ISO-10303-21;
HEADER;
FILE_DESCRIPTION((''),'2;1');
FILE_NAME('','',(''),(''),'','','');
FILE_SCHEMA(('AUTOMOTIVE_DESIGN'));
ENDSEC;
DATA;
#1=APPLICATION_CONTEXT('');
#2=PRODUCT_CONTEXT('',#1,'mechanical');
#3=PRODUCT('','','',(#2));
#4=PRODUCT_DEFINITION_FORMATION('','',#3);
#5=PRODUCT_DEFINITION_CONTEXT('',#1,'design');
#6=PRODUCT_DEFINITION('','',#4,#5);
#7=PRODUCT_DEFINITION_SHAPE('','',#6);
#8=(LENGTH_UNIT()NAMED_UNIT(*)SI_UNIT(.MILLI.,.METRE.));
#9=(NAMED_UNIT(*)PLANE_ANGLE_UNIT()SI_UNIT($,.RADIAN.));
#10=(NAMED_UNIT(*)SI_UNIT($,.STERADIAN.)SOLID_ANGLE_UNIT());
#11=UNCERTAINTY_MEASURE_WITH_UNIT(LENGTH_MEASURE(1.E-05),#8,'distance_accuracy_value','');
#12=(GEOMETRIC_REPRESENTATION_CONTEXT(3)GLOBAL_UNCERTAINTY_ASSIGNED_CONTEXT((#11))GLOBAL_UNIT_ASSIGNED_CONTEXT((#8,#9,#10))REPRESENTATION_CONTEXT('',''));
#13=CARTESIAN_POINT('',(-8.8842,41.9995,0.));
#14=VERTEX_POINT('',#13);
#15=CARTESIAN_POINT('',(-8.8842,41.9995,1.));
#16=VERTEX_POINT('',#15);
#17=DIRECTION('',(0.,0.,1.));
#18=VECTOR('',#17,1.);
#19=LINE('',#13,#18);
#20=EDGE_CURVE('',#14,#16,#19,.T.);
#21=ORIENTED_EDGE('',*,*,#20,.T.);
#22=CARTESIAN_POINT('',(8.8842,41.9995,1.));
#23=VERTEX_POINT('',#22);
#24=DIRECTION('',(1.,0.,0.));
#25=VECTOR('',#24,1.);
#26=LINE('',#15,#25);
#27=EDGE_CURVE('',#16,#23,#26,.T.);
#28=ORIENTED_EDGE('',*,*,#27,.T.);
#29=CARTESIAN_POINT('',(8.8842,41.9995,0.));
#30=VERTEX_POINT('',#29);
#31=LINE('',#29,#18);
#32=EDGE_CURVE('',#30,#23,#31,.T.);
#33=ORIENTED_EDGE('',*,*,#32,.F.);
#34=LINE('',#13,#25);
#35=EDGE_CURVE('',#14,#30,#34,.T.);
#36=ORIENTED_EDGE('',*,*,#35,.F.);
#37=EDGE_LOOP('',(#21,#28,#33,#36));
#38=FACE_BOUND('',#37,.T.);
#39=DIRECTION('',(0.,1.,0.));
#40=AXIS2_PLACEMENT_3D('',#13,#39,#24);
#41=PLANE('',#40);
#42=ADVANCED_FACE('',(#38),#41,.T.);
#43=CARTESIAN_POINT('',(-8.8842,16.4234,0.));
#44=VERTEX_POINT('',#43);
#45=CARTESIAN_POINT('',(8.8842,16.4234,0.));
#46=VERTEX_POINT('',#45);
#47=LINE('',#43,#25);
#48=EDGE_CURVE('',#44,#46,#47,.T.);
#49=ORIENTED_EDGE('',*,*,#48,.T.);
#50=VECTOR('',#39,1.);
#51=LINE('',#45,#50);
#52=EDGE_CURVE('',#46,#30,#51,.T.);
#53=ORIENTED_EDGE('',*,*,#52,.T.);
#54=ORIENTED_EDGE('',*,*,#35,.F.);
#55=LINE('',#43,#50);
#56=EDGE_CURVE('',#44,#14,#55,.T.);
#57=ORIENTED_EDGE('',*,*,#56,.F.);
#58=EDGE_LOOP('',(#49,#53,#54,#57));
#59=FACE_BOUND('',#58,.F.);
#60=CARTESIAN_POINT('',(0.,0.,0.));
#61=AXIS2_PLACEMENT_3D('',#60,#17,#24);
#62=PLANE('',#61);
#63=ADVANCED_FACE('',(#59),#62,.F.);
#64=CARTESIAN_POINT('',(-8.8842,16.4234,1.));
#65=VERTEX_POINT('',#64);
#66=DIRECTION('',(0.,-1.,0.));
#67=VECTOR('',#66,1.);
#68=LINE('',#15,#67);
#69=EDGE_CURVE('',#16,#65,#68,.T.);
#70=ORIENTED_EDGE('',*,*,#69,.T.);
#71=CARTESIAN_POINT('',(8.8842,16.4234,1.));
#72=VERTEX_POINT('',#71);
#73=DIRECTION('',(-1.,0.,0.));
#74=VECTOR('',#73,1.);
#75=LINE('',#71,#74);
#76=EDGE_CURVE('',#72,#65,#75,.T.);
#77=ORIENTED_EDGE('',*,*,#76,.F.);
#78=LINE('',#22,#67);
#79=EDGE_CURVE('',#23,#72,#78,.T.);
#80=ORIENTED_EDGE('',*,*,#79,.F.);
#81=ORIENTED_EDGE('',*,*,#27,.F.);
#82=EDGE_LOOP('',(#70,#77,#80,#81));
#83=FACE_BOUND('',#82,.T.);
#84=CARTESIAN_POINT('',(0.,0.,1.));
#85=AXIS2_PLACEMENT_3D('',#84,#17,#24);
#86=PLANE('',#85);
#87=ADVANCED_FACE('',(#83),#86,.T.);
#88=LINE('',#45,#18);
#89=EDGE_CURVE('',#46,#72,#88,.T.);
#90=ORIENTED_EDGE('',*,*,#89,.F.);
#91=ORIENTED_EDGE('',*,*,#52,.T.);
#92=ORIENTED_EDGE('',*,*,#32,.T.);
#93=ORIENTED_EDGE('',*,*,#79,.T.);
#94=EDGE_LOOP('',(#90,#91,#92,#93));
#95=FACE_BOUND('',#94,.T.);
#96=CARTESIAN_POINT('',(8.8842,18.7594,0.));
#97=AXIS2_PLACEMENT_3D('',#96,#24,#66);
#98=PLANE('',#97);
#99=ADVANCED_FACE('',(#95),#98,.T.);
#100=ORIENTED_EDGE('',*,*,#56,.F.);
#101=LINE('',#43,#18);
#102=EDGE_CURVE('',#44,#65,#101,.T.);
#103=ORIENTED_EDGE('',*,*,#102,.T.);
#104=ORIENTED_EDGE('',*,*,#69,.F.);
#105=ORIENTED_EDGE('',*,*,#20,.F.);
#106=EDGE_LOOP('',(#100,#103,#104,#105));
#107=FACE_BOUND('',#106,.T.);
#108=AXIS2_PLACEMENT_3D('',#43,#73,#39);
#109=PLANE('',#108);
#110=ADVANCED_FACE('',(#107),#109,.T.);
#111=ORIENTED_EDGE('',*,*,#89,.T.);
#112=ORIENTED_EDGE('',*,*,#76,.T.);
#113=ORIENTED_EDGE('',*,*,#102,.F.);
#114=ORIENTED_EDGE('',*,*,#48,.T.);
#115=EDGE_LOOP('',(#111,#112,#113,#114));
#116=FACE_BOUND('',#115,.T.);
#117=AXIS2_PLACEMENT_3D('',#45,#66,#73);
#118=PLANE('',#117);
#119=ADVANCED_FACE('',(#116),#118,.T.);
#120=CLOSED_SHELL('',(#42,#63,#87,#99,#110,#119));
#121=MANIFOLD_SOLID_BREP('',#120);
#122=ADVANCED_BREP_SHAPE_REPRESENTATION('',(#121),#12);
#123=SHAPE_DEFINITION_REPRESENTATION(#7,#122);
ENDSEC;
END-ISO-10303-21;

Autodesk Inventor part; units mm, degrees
ref_plane "YZ Plane" through (0, 0, 0) normal (1, 0, 0) x (0, 1, 0)
ref_plane "XZ Plane" through (0, 0, 0) normal (0, 1, 0) x (-1, 0, 0)
ref_plane "XY Plane" through (0, 0, 0) normal (0, 0, 1) x (1, 0, 0)
sketch "Sketch1" plane through (0, 0, 0) normal (0, 0, 1) x (1, 0, 0)
  line L0 (8.8842, 16.4234) -> (-8.8842, 16.4234)
  line L1 (-8.8842, 16.4234) -> (-8.8842, 41.9995)
  line L2 (-8.8842, 41.9995) -> (8.8842, 41.9995)
  line L3 (8.8842, 41.9995) -> (8.8842, 16.4234)
  arc A0 (5.5604, 35.6068) -> (5.5604, 37.8906) centre (5.5604, 36.7487) ccw projected
  line L4 (-5.5604, 35.6068) -> (5.5604, 35.6068) projected
  arc A1 (-5.5604, 37.8906) -> (-5.5604, 35.6068) centre (-5.5604, 36.7487) ccw projected
  line L5 (5.5604, 37.8906) -> (-5.5604, 37.8906) projected
  line L6 (5.5604, -35.6068) -> (-5.5604, -35.6068) projected
  arc A2 (5.5604, -37.8906) -> (5.5604, -35.6068) centre (5.5604, -36.7487) ccw projected
  line L7 (-5.5604, -37.8906) -> (5.5604, -37.8906) projected
  arc A3 (-5.5604, -35.6068) -> (-5.5604, -37.8906) centre (-5.5604, -36.7487) ccw projected
  arc A4 (-8.8842, 18.7594) -> (-15.14, 6.5) centre (0, 6.5) ccw projected
  line L8 (-15.14, -6.5) -> (-15.14, 6.5) projected
  arc A5 (-15.14, -6.5) -> (-8.8842, -18.7594) centre (0, -6.5) ccw projected
  line L9 (-8.8842, -40.7487) -> (-8.8842, -18.7594) projected
  line L10 (8.8842, -40.7487) -> (-8.8842, -40.7487) projected
  line L11 (8.8842, -18.7594) -> (8.8842, -40.7487) projected
  arc A6 (8.8842, -18.7594) -> (15.14, -6.5) centre (0, -6.5) ccw projected
  line L12 (15.14, 6.5) -> (15.14, -6.5) projected
  arc A7 (15.14, 6.5) -> (8.8842, 18.7594) centre (0, 6.5) ccw projected
  line L13 (8.8842, 40.7487) -> (8.8842, 18.7594) projected
  line L14 (-8.8842, 40.7487) -> (8.8842, 40.7487) projected
  line L15 (-8.8842, 18.7594) -> (-8.8842, 40.7487) projected
  arc A8 (-12, -6.5) -> (12, -6.5) centre (0, -6.5) ccw projected
  line L16 (-12, 6.5) -> (-12, -6.5) projected
  arc A9 (12, 6.5) -> (-12, 6.5) centre (0, 6.5) ccw projected
  line L17 (12, -6.5) -> (12, 6.5) projected
  point P0 (0, 0)
  point P1 (8.8842, 29.2114)
extrude "Extrusion1" add sketch "Sketch1" along normal blind 1 contours L0 A9 L1 L14 L3 | L0 A9 | L14 L1 L2 L3 | L4 A1 L5 A0
properties part number "nan_holder"
